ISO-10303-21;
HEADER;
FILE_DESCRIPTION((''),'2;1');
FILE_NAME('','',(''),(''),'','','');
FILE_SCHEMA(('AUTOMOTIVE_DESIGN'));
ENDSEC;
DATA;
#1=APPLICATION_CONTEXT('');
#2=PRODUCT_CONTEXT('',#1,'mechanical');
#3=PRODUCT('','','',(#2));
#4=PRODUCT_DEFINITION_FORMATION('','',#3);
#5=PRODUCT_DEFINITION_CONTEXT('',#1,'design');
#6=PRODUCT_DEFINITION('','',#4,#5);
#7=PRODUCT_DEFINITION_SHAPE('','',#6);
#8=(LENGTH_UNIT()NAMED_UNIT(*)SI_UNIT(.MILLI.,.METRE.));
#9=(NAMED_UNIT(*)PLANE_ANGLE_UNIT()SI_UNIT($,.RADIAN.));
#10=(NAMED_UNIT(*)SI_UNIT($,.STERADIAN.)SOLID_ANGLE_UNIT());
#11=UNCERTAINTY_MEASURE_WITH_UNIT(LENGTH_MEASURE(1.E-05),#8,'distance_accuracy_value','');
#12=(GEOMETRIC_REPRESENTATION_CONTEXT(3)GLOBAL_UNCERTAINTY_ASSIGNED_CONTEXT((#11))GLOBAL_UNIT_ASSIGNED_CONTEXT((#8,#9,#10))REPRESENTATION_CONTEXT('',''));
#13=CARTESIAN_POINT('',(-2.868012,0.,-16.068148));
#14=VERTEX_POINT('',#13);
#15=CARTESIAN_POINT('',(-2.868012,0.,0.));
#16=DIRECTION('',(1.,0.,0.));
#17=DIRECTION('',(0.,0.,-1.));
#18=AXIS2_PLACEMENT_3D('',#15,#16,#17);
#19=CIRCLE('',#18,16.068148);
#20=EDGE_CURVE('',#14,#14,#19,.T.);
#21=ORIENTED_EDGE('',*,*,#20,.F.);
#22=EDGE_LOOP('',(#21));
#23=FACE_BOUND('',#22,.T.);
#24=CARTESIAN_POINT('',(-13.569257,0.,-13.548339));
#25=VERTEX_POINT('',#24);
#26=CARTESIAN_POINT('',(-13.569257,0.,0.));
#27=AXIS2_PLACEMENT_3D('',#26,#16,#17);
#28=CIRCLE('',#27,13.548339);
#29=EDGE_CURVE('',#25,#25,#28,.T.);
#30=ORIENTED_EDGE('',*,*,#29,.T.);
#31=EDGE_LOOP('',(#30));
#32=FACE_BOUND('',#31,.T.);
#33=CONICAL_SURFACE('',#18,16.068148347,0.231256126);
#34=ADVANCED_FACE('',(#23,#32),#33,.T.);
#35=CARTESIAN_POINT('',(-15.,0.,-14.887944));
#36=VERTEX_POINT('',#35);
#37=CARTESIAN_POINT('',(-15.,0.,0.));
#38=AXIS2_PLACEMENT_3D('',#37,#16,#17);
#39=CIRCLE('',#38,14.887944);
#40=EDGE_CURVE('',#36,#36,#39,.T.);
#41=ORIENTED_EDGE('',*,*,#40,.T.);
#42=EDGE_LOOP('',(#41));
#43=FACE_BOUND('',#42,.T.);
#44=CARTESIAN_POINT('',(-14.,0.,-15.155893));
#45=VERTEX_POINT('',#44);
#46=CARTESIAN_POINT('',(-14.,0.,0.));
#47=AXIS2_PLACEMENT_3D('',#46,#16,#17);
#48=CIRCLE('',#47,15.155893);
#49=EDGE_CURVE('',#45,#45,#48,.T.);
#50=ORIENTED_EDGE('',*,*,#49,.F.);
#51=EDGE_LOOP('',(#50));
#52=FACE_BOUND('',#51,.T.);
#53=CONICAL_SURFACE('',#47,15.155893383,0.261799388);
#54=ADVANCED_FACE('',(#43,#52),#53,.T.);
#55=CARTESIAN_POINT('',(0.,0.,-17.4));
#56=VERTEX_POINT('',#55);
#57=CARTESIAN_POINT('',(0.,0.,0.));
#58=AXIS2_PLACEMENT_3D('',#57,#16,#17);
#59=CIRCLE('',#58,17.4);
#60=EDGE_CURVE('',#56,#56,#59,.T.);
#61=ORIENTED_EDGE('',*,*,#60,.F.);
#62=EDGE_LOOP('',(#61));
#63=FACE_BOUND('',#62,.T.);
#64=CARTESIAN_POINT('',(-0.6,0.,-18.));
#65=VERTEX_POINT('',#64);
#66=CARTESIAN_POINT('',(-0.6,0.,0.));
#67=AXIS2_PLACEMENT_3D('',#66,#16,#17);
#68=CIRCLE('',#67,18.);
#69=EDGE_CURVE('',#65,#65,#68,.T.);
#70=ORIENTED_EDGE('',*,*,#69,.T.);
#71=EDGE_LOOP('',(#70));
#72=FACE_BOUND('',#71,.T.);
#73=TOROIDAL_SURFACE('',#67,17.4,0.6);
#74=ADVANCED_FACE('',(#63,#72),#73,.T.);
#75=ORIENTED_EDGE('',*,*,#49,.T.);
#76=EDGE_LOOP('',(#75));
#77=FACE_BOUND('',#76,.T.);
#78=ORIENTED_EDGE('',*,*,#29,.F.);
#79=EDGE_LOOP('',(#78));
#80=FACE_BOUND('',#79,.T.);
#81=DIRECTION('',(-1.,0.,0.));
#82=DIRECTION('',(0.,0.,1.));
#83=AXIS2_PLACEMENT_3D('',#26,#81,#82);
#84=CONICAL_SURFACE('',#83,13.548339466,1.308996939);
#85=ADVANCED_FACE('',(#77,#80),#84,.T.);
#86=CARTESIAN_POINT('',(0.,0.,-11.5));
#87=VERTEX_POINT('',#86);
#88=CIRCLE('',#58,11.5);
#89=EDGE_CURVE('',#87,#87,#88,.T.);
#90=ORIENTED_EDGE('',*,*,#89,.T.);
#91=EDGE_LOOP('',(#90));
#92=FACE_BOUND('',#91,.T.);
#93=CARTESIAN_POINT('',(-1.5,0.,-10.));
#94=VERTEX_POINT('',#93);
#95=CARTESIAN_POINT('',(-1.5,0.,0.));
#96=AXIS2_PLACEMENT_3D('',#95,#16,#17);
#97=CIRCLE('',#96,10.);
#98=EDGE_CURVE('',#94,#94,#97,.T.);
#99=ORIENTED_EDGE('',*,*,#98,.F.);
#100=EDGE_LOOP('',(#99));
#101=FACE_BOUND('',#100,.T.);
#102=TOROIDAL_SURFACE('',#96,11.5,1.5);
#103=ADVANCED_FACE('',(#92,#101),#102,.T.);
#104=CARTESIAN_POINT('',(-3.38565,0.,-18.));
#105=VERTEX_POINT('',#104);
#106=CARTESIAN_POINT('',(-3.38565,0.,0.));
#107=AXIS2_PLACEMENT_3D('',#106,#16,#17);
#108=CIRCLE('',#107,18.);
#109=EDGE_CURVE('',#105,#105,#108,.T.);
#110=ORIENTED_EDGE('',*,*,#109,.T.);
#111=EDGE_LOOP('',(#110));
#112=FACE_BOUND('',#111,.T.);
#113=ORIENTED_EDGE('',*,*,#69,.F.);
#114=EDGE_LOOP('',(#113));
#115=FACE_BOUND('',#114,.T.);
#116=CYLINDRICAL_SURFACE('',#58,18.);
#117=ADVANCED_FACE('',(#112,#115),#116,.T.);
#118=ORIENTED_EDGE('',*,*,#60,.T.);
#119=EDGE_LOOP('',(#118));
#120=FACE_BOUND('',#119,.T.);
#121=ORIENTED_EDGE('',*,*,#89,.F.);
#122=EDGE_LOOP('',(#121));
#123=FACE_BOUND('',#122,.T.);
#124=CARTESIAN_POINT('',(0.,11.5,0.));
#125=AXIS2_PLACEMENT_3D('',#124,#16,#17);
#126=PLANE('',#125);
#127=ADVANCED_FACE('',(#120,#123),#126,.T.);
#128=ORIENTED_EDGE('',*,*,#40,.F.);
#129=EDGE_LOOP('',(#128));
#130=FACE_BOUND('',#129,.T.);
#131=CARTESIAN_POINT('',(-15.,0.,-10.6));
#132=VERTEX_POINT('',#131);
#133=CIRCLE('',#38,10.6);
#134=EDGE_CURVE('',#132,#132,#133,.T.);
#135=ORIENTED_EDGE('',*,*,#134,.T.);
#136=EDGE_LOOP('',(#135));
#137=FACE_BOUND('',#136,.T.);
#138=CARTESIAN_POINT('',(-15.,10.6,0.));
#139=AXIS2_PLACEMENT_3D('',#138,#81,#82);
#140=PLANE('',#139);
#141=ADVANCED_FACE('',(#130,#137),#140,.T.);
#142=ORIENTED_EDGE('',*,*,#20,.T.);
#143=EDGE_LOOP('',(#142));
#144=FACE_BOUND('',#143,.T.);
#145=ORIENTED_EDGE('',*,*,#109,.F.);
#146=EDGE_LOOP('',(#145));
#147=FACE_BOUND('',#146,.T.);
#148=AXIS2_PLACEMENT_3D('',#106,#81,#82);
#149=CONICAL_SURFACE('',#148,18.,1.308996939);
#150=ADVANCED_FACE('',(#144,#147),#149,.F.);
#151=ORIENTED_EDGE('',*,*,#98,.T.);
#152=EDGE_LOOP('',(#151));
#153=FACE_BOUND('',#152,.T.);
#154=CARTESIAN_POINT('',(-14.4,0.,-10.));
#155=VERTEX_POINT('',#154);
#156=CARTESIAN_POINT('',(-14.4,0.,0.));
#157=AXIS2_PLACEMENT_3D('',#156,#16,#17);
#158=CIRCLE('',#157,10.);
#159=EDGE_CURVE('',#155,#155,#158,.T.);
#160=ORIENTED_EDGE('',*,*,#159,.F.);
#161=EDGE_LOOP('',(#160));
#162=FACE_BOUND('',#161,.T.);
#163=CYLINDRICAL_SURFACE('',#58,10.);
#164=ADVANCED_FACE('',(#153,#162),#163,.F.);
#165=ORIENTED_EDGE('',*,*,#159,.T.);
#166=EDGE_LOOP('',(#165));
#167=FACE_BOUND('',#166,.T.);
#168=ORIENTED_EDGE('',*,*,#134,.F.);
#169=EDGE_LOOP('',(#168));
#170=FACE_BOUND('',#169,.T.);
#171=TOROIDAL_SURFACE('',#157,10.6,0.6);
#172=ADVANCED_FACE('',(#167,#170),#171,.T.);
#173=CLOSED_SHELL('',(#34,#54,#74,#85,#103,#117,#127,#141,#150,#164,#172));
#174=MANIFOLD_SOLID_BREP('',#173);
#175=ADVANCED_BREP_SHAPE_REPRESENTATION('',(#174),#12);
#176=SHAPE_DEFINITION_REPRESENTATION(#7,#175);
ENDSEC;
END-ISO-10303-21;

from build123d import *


with BuildPart() as part:
    # Esquisse1 → Base-Révolution (revolve)
    with BuildSketch(Plane.XY, mode=Mode.PRIVATE) as base_r_volution_sk:
        with BuildLine():
            Line((0, 11.5), (0, 17.4))
            ThreePointArc((0, 17.4), (-0.175735931, 17.824264069), (-0.6, 18))
            Line((-0.6, 18), (-3.385649604, 18))
            Line((-3.385649604, 18), (-2.868011513, 16.068148347))
            Line((-2.868011513, 16.068148347), (-13.569257226, 13.548339466))
            Line((-13.569257226, 13.548339466), (-14, 15.155893383))
            Line((-14, 15.155893383), (-15, 14.887944191))
            Line((-15, 14.887944191), (-15, 10.6))
            ThreePointArc((-15, 10.6), (-14.824264069, 10.175735931), (-14.4, 10))
            Line((-14.4, 10), (-1.5, 10))
            ThreePointArc((-1.5, 10), (-0.439339828, 10.439339828), (0, 11.5))
        make_face()
    revolve(base_r_volution_sk.sketch.rotate(Axis((0, 0, 0), (-1, 0, 0)), 90), axis=Axis((0, 0, 0), (-1, 0, 0)))


solid = part.part
